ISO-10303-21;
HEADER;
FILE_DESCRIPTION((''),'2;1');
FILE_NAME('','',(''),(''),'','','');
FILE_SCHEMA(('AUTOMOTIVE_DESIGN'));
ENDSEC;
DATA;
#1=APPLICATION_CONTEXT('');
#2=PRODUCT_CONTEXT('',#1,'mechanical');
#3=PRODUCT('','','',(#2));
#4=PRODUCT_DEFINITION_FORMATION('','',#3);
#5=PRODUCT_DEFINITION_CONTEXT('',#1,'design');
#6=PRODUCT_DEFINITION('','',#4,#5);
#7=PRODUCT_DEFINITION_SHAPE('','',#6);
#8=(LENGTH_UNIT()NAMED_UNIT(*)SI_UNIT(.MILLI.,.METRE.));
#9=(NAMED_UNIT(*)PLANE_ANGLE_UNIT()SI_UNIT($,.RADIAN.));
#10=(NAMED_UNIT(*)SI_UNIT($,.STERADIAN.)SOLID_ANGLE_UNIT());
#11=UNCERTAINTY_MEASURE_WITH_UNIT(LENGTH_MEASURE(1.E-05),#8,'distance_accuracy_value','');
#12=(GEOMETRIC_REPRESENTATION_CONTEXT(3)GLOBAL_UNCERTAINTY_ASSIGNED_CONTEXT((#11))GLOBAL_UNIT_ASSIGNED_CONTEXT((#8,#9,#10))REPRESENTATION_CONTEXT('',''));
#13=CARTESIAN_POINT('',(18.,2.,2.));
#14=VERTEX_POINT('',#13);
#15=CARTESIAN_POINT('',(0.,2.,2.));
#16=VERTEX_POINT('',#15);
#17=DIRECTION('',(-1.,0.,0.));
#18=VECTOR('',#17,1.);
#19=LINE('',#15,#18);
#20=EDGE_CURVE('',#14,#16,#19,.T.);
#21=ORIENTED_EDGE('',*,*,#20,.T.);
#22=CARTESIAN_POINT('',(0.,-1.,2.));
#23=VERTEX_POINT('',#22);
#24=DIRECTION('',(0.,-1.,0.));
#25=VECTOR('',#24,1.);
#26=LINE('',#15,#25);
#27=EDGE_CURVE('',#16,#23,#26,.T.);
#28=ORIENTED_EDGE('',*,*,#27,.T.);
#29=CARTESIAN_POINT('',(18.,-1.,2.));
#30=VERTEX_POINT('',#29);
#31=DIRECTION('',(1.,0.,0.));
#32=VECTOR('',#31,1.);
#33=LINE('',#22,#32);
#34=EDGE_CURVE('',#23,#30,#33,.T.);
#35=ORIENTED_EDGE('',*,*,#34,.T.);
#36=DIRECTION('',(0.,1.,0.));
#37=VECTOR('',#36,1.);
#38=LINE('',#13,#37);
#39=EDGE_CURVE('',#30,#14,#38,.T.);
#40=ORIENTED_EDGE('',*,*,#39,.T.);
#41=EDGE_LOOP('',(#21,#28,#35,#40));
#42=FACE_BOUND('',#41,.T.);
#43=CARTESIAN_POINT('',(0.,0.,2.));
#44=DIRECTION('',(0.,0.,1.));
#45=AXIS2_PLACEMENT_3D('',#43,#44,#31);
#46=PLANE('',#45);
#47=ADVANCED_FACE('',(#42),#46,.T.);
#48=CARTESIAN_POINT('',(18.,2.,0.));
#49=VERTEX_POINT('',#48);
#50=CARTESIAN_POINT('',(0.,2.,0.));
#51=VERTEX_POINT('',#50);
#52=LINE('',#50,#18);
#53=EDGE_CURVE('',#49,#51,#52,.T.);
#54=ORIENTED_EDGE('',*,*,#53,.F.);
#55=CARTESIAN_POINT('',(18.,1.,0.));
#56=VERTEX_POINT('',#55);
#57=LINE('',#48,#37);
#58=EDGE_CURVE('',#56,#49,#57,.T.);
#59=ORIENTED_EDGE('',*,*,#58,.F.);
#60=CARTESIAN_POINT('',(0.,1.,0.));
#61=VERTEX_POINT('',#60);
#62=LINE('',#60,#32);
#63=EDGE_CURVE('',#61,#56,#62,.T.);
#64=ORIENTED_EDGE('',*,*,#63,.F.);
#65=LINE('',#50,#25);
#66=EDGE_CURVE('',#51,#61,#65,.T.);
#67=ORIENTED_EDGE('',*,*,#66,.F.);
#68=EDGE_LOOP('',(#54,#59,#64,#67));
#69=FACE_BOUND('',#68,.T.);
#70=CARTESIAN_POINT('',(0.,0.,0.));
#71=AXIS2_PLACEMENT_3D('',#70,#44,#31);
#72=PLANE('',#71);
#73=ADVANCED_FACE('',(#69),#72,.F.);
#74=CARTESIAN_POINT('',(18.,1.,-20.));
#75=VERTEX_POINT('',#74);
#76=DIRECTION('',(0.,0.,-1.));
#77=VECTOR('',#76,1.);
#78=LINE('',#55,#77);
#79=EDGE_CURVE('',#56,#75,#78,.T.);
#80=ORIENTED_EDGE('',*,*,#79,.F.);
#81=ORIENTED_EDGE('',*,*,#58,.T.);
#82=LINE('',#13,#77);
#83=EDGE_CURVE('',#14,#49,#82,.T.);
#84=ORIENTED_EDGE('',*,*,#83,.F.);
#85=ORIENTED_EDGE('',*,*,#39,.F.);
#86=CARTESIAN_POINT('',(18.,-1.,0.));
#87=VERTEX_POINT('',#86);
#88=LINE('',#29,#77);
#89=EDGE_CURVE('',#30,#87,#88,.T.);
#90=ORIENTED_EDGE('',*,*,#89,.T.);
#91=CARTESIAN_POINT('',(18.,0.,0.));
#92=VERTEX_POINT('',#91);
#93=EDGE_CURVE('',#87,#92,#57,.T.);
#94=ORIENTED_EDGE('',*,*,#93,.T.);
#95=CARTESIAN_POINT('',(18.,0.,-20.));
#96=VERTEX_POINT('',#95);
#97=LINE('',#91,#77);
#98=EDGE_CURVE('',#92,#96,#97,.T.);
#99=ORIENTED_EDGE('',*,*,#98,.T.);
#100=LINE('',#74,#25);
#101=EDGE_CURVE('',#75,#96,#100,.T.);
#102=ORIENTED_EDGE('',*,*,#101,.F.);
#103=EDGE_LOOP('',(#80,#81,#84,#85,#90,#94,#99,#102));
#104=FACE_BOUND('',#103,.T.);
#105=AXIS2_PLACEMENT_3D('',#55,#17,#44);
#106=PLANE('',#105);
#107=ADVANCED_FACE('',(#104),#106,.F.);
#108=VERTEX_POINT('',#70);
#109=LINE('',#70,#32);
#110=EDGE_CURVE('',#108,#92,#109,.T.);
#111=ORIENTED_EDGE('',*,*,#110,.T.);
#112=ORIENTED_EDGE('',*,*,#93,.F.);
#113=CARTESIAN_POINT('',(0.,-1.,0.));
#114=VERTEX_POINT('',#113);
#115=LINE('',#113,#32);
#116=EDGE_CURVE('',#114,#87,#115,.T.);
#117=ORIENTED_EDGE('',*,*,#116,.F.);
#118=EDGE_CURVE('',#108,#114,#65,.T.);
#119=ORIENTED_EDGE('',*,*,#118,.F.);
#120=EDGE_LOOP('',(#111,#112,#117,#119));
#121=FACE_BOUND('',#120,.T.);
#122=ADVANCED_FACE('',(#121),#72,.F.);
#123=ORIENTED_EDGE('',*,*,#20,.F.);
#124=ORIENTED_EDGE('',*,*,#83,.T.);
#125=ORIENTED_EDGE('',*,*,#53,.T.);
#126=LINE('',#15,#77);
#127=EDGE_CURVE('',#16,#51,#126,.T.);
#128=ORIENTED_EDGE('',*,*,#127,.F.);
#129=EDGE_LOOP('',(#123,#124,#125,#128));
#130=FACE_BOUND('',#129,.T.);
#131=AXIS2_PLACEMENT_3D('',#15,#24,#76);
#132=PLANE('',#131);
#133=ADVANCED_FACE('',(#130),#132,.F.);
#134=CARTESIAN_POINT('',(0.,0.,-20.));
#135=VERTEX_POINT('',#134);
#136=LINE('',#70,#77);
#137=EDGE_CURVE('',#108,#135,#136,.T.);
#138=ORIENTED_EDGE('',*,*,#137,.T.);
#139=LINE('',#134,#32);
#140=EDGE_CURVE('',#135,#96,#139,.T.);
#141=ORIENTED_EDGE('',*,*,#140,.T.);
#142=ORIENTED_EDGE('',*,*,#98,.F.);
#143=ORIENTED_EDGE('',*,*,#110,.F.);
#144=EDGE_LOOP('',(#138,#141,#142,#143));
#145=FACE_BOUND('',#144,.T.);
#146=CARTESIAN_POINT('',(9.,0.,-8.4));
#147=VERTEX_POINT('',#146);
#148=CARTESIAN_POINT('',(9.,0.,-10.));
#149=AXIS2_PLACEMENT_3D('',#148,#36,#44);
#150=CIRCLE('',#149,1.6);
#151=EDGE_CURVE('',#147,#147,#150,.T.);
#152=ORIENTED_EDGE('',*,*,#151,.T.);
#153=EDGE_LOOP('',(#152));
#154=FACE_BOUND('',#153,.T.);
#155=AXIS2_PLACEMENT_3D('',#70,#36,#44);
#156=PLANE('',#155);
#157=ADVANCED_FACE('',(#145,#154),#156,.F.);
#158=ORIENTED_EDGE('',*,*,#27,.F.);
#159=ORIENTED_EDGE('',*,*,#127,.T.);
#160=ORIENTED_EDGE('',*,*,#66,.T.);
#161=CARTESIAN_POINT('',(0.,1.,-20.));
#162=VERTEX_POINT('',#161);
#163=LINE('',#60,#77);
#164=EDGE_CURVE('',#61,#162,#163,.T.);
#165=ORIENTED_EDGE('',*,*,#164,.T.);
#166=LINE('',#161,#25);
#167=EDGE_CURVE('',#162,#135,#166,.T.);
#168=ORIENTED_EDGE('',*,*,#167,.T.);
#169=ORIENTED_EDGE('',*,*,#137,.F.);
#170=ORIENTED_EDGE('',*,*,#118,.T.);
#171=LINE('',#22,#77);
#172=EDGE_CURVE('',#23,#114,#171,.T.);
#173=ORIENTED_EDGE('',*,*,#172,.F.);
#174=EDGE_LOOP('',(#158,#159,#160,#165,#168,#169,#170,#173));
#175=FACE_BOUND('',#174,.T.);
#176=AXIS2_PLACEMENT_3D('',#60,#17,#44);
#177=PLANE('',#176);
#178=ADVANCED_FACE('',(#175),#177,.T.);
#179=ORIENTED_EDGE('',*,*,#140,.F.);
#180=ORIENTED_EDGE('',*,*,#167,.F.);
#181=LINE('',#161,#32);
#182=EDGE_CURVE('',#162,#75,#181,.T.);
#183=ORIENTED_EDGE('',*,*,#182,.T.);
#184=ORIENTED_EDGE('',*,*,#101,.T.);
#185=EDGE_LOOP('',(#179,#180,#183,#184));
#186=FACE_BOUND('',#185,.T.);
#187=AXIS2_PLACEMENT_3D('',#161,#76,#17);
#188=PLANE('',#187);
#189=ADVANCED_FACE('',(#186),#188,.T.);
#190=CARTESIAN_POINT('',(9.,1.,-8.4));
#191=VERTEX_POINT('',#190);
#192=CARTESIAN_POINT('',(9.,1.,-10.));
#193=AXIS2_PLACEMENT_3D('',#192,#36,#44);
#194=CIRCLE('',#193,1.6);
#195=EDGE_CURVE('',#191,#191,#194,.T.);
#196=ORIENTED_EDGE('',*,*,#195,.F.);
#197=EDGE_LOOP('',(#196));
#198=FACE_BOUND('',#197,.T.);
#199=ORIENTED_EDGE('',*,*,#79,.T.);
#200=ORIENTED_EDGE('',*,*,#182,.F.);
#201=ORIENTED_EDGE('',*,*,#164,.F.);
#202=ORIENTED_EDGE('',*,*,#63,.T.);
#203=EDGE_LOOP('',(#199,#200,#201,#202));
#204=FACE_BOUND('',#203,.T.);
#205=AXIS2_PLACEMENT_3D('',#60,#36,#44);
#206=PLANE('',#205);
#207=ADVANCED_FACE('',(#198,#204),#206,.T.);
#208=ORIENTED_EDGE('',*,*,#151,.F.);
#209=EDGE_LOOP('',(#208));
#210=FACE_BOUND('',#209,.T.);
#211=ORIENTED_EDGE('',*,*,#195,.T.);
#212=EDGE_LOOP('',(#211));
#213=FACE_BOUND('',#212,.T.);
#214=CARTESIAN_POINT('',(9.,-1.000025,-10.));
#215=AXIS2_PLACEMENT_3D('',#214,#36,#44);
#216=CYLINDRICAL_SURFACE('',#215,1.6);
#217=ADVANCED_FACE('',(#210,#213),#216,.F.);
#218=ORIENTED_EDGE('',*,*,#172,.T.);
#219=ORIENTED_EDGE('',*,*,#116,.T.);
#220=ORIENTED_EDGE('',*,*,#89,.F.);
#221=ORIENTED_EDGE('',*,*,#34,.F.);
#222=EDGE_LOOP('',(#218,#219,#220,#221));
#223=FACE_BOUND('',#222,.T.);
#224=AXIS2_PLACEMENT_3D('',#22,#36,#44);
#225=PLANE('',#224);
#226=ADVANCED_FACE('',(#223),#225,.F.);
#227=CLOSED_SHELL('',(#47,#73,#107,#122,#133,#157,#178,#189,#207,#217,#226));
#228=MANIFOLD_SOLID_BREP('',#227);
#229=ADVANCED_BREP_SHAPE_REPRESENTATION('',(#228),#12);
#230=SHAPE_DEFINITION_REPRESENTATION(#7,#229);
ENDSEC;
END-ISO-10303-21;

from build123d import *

# Parameters (mm, degrees)
SKETCH1_W           = 18
SKETCH1_H           = 20
BOSS_EXTRUDE1_DEPTH = 1
SKETCH2_W           = 18
SKETCH2_H           = 3
BOSS_EXTRUDE2_DEPTH = 2
SKETCH3_R           = 1.6
CUT_EXTRUDE1_DEPTH  = 27.981475126


with BuildPart() as part:
    # Sketch1 → Boss-Extrude1 (new body)
    with BuildSketch(Plane(origin=(0, 0, 0), x_dir=(1, 0, 0), z_dir=(0, 1, 0))):
        with Locations((9, 10)):
            Rectangle(SKETCH1_W, SKETCH1_H)
    extrude(amount=BOSS_EXTRUDE1_DEPTH)

    # Sketch2 → Boss-Extrude2 (add)
    with BuildSketch(Plane.XY):
        with Locations((9, 0.5)):
            Rectangle(SKETCH2_W, SKETCH2_H)
    extrude(amount=BOSS_EXTRUDE2_DEPTH)

    # Sketch3 → Cut-Extrude1 (cut, through all)
    with BuildSketch(Plane(origin=(0, 1, 0), x_dir=(1, 0, 0), z_dir=(0, 1, 0))):
        with Locations(Location((9, 10, 0), (0, 0, 270))):
            Circle(SKETCH3_R)
    extrude(amount=-CUT_EXTRUDE1_DEPTH, mode=Mode.SUBTRACT)


solid = part.part
